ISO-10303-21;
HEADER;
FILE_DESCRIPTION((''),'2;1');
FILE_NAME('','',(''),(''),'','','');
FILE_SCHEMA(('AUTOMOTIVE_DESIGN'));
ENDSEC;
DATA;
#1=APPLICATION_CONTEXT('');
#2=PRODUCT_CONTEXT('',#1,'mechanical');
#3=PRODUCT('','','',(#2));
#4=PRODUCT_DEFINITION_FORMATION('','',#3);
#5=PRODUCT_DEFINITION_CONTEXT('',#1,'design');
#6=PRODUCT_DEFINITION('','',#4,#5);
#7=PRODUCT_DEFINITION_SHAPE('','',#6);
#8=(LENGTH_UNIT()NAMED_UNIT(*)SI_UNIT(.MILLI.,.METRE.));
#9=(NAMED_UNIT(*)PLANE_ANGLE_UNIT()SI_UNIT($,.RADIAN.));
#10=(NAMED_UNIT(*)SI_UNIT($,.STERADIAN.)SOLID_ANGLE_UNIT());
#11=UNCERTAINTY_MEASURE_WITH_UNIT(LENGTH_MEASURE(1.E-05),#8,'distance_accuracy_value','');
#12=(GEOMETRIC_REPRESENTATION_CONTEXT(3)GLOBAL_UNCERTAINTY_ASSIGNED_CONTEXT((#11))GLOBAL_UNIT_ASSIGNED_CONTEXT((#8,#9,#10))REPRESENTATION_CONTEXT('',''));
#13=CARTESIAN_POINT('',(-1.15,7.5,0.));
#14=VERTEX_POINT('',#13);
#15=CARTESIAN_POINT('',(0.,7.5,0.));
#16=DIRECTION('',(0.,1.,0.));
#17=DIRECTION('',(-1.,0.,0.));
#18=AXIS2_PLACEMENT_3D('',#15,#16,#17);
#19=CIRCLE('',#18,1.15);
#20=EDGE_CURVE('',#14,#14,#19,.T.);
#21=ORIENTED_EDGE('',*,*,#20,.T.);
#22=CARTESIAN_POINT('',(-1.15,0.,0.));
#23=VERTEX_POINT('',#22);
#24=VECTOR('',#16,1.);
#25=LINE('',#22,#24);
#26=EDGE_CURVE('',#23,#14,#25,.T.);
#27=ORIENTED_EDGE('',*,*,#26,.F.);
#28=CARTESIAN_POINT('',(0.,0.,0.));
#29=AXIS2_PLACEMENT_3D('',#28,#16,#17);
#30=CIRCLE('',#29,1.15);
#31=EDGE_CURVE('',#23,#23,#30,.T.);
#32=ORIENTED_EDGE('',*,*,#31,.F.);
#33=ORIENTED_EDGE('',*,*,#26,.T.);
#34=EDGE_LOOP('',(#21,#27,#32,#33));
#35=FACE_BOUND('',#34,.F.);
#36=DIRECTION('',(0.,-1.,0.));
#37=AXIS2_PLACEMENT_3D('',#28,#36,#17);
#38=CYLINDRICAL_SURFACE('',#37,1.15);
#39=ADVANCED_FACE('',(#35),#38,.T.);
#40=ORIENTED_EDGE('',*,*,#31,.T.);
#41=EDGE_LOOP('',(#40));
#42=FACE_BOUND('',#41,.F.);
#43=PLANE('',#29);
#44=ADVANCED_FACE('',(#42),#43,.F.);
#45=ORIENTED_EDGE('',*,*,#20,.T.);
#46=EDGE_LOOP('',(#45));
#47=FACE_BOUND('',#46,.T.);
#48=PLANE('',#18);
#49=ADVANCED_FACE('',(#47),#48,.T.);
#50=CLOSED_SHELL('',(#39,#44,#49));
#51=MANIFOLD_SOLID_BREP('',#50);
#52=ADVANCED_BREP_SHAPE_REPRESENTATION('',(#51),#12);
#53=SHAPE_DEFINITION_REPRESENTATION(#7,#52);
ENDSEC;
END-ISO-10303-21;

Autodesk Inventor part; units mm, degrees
ref_plane "YZ Plane" through (0, 0, 0) normal (1, 0, 0) x (0, 1, 0)
ref_plane "XZ Plane" through (0, 0, 0) normal (0, 1, 0) x (-1, 0, 0)
ref_plane "XY Plane" through (0, 0, 0) normal (0, 0, 1) x (1, 0, 0)
sketch "Sketch1" plane through (0, 0, 0) normal (0, 1, 0) x (-1, 0, 0)
  circle A0 centre (0, 0) radius 1.15
  dimension "d0" = 2.3
extrude "Extrusion1" add sketch "Sketch1" along normal blind 7.5
properties part number "Ceramic_Spacer"
